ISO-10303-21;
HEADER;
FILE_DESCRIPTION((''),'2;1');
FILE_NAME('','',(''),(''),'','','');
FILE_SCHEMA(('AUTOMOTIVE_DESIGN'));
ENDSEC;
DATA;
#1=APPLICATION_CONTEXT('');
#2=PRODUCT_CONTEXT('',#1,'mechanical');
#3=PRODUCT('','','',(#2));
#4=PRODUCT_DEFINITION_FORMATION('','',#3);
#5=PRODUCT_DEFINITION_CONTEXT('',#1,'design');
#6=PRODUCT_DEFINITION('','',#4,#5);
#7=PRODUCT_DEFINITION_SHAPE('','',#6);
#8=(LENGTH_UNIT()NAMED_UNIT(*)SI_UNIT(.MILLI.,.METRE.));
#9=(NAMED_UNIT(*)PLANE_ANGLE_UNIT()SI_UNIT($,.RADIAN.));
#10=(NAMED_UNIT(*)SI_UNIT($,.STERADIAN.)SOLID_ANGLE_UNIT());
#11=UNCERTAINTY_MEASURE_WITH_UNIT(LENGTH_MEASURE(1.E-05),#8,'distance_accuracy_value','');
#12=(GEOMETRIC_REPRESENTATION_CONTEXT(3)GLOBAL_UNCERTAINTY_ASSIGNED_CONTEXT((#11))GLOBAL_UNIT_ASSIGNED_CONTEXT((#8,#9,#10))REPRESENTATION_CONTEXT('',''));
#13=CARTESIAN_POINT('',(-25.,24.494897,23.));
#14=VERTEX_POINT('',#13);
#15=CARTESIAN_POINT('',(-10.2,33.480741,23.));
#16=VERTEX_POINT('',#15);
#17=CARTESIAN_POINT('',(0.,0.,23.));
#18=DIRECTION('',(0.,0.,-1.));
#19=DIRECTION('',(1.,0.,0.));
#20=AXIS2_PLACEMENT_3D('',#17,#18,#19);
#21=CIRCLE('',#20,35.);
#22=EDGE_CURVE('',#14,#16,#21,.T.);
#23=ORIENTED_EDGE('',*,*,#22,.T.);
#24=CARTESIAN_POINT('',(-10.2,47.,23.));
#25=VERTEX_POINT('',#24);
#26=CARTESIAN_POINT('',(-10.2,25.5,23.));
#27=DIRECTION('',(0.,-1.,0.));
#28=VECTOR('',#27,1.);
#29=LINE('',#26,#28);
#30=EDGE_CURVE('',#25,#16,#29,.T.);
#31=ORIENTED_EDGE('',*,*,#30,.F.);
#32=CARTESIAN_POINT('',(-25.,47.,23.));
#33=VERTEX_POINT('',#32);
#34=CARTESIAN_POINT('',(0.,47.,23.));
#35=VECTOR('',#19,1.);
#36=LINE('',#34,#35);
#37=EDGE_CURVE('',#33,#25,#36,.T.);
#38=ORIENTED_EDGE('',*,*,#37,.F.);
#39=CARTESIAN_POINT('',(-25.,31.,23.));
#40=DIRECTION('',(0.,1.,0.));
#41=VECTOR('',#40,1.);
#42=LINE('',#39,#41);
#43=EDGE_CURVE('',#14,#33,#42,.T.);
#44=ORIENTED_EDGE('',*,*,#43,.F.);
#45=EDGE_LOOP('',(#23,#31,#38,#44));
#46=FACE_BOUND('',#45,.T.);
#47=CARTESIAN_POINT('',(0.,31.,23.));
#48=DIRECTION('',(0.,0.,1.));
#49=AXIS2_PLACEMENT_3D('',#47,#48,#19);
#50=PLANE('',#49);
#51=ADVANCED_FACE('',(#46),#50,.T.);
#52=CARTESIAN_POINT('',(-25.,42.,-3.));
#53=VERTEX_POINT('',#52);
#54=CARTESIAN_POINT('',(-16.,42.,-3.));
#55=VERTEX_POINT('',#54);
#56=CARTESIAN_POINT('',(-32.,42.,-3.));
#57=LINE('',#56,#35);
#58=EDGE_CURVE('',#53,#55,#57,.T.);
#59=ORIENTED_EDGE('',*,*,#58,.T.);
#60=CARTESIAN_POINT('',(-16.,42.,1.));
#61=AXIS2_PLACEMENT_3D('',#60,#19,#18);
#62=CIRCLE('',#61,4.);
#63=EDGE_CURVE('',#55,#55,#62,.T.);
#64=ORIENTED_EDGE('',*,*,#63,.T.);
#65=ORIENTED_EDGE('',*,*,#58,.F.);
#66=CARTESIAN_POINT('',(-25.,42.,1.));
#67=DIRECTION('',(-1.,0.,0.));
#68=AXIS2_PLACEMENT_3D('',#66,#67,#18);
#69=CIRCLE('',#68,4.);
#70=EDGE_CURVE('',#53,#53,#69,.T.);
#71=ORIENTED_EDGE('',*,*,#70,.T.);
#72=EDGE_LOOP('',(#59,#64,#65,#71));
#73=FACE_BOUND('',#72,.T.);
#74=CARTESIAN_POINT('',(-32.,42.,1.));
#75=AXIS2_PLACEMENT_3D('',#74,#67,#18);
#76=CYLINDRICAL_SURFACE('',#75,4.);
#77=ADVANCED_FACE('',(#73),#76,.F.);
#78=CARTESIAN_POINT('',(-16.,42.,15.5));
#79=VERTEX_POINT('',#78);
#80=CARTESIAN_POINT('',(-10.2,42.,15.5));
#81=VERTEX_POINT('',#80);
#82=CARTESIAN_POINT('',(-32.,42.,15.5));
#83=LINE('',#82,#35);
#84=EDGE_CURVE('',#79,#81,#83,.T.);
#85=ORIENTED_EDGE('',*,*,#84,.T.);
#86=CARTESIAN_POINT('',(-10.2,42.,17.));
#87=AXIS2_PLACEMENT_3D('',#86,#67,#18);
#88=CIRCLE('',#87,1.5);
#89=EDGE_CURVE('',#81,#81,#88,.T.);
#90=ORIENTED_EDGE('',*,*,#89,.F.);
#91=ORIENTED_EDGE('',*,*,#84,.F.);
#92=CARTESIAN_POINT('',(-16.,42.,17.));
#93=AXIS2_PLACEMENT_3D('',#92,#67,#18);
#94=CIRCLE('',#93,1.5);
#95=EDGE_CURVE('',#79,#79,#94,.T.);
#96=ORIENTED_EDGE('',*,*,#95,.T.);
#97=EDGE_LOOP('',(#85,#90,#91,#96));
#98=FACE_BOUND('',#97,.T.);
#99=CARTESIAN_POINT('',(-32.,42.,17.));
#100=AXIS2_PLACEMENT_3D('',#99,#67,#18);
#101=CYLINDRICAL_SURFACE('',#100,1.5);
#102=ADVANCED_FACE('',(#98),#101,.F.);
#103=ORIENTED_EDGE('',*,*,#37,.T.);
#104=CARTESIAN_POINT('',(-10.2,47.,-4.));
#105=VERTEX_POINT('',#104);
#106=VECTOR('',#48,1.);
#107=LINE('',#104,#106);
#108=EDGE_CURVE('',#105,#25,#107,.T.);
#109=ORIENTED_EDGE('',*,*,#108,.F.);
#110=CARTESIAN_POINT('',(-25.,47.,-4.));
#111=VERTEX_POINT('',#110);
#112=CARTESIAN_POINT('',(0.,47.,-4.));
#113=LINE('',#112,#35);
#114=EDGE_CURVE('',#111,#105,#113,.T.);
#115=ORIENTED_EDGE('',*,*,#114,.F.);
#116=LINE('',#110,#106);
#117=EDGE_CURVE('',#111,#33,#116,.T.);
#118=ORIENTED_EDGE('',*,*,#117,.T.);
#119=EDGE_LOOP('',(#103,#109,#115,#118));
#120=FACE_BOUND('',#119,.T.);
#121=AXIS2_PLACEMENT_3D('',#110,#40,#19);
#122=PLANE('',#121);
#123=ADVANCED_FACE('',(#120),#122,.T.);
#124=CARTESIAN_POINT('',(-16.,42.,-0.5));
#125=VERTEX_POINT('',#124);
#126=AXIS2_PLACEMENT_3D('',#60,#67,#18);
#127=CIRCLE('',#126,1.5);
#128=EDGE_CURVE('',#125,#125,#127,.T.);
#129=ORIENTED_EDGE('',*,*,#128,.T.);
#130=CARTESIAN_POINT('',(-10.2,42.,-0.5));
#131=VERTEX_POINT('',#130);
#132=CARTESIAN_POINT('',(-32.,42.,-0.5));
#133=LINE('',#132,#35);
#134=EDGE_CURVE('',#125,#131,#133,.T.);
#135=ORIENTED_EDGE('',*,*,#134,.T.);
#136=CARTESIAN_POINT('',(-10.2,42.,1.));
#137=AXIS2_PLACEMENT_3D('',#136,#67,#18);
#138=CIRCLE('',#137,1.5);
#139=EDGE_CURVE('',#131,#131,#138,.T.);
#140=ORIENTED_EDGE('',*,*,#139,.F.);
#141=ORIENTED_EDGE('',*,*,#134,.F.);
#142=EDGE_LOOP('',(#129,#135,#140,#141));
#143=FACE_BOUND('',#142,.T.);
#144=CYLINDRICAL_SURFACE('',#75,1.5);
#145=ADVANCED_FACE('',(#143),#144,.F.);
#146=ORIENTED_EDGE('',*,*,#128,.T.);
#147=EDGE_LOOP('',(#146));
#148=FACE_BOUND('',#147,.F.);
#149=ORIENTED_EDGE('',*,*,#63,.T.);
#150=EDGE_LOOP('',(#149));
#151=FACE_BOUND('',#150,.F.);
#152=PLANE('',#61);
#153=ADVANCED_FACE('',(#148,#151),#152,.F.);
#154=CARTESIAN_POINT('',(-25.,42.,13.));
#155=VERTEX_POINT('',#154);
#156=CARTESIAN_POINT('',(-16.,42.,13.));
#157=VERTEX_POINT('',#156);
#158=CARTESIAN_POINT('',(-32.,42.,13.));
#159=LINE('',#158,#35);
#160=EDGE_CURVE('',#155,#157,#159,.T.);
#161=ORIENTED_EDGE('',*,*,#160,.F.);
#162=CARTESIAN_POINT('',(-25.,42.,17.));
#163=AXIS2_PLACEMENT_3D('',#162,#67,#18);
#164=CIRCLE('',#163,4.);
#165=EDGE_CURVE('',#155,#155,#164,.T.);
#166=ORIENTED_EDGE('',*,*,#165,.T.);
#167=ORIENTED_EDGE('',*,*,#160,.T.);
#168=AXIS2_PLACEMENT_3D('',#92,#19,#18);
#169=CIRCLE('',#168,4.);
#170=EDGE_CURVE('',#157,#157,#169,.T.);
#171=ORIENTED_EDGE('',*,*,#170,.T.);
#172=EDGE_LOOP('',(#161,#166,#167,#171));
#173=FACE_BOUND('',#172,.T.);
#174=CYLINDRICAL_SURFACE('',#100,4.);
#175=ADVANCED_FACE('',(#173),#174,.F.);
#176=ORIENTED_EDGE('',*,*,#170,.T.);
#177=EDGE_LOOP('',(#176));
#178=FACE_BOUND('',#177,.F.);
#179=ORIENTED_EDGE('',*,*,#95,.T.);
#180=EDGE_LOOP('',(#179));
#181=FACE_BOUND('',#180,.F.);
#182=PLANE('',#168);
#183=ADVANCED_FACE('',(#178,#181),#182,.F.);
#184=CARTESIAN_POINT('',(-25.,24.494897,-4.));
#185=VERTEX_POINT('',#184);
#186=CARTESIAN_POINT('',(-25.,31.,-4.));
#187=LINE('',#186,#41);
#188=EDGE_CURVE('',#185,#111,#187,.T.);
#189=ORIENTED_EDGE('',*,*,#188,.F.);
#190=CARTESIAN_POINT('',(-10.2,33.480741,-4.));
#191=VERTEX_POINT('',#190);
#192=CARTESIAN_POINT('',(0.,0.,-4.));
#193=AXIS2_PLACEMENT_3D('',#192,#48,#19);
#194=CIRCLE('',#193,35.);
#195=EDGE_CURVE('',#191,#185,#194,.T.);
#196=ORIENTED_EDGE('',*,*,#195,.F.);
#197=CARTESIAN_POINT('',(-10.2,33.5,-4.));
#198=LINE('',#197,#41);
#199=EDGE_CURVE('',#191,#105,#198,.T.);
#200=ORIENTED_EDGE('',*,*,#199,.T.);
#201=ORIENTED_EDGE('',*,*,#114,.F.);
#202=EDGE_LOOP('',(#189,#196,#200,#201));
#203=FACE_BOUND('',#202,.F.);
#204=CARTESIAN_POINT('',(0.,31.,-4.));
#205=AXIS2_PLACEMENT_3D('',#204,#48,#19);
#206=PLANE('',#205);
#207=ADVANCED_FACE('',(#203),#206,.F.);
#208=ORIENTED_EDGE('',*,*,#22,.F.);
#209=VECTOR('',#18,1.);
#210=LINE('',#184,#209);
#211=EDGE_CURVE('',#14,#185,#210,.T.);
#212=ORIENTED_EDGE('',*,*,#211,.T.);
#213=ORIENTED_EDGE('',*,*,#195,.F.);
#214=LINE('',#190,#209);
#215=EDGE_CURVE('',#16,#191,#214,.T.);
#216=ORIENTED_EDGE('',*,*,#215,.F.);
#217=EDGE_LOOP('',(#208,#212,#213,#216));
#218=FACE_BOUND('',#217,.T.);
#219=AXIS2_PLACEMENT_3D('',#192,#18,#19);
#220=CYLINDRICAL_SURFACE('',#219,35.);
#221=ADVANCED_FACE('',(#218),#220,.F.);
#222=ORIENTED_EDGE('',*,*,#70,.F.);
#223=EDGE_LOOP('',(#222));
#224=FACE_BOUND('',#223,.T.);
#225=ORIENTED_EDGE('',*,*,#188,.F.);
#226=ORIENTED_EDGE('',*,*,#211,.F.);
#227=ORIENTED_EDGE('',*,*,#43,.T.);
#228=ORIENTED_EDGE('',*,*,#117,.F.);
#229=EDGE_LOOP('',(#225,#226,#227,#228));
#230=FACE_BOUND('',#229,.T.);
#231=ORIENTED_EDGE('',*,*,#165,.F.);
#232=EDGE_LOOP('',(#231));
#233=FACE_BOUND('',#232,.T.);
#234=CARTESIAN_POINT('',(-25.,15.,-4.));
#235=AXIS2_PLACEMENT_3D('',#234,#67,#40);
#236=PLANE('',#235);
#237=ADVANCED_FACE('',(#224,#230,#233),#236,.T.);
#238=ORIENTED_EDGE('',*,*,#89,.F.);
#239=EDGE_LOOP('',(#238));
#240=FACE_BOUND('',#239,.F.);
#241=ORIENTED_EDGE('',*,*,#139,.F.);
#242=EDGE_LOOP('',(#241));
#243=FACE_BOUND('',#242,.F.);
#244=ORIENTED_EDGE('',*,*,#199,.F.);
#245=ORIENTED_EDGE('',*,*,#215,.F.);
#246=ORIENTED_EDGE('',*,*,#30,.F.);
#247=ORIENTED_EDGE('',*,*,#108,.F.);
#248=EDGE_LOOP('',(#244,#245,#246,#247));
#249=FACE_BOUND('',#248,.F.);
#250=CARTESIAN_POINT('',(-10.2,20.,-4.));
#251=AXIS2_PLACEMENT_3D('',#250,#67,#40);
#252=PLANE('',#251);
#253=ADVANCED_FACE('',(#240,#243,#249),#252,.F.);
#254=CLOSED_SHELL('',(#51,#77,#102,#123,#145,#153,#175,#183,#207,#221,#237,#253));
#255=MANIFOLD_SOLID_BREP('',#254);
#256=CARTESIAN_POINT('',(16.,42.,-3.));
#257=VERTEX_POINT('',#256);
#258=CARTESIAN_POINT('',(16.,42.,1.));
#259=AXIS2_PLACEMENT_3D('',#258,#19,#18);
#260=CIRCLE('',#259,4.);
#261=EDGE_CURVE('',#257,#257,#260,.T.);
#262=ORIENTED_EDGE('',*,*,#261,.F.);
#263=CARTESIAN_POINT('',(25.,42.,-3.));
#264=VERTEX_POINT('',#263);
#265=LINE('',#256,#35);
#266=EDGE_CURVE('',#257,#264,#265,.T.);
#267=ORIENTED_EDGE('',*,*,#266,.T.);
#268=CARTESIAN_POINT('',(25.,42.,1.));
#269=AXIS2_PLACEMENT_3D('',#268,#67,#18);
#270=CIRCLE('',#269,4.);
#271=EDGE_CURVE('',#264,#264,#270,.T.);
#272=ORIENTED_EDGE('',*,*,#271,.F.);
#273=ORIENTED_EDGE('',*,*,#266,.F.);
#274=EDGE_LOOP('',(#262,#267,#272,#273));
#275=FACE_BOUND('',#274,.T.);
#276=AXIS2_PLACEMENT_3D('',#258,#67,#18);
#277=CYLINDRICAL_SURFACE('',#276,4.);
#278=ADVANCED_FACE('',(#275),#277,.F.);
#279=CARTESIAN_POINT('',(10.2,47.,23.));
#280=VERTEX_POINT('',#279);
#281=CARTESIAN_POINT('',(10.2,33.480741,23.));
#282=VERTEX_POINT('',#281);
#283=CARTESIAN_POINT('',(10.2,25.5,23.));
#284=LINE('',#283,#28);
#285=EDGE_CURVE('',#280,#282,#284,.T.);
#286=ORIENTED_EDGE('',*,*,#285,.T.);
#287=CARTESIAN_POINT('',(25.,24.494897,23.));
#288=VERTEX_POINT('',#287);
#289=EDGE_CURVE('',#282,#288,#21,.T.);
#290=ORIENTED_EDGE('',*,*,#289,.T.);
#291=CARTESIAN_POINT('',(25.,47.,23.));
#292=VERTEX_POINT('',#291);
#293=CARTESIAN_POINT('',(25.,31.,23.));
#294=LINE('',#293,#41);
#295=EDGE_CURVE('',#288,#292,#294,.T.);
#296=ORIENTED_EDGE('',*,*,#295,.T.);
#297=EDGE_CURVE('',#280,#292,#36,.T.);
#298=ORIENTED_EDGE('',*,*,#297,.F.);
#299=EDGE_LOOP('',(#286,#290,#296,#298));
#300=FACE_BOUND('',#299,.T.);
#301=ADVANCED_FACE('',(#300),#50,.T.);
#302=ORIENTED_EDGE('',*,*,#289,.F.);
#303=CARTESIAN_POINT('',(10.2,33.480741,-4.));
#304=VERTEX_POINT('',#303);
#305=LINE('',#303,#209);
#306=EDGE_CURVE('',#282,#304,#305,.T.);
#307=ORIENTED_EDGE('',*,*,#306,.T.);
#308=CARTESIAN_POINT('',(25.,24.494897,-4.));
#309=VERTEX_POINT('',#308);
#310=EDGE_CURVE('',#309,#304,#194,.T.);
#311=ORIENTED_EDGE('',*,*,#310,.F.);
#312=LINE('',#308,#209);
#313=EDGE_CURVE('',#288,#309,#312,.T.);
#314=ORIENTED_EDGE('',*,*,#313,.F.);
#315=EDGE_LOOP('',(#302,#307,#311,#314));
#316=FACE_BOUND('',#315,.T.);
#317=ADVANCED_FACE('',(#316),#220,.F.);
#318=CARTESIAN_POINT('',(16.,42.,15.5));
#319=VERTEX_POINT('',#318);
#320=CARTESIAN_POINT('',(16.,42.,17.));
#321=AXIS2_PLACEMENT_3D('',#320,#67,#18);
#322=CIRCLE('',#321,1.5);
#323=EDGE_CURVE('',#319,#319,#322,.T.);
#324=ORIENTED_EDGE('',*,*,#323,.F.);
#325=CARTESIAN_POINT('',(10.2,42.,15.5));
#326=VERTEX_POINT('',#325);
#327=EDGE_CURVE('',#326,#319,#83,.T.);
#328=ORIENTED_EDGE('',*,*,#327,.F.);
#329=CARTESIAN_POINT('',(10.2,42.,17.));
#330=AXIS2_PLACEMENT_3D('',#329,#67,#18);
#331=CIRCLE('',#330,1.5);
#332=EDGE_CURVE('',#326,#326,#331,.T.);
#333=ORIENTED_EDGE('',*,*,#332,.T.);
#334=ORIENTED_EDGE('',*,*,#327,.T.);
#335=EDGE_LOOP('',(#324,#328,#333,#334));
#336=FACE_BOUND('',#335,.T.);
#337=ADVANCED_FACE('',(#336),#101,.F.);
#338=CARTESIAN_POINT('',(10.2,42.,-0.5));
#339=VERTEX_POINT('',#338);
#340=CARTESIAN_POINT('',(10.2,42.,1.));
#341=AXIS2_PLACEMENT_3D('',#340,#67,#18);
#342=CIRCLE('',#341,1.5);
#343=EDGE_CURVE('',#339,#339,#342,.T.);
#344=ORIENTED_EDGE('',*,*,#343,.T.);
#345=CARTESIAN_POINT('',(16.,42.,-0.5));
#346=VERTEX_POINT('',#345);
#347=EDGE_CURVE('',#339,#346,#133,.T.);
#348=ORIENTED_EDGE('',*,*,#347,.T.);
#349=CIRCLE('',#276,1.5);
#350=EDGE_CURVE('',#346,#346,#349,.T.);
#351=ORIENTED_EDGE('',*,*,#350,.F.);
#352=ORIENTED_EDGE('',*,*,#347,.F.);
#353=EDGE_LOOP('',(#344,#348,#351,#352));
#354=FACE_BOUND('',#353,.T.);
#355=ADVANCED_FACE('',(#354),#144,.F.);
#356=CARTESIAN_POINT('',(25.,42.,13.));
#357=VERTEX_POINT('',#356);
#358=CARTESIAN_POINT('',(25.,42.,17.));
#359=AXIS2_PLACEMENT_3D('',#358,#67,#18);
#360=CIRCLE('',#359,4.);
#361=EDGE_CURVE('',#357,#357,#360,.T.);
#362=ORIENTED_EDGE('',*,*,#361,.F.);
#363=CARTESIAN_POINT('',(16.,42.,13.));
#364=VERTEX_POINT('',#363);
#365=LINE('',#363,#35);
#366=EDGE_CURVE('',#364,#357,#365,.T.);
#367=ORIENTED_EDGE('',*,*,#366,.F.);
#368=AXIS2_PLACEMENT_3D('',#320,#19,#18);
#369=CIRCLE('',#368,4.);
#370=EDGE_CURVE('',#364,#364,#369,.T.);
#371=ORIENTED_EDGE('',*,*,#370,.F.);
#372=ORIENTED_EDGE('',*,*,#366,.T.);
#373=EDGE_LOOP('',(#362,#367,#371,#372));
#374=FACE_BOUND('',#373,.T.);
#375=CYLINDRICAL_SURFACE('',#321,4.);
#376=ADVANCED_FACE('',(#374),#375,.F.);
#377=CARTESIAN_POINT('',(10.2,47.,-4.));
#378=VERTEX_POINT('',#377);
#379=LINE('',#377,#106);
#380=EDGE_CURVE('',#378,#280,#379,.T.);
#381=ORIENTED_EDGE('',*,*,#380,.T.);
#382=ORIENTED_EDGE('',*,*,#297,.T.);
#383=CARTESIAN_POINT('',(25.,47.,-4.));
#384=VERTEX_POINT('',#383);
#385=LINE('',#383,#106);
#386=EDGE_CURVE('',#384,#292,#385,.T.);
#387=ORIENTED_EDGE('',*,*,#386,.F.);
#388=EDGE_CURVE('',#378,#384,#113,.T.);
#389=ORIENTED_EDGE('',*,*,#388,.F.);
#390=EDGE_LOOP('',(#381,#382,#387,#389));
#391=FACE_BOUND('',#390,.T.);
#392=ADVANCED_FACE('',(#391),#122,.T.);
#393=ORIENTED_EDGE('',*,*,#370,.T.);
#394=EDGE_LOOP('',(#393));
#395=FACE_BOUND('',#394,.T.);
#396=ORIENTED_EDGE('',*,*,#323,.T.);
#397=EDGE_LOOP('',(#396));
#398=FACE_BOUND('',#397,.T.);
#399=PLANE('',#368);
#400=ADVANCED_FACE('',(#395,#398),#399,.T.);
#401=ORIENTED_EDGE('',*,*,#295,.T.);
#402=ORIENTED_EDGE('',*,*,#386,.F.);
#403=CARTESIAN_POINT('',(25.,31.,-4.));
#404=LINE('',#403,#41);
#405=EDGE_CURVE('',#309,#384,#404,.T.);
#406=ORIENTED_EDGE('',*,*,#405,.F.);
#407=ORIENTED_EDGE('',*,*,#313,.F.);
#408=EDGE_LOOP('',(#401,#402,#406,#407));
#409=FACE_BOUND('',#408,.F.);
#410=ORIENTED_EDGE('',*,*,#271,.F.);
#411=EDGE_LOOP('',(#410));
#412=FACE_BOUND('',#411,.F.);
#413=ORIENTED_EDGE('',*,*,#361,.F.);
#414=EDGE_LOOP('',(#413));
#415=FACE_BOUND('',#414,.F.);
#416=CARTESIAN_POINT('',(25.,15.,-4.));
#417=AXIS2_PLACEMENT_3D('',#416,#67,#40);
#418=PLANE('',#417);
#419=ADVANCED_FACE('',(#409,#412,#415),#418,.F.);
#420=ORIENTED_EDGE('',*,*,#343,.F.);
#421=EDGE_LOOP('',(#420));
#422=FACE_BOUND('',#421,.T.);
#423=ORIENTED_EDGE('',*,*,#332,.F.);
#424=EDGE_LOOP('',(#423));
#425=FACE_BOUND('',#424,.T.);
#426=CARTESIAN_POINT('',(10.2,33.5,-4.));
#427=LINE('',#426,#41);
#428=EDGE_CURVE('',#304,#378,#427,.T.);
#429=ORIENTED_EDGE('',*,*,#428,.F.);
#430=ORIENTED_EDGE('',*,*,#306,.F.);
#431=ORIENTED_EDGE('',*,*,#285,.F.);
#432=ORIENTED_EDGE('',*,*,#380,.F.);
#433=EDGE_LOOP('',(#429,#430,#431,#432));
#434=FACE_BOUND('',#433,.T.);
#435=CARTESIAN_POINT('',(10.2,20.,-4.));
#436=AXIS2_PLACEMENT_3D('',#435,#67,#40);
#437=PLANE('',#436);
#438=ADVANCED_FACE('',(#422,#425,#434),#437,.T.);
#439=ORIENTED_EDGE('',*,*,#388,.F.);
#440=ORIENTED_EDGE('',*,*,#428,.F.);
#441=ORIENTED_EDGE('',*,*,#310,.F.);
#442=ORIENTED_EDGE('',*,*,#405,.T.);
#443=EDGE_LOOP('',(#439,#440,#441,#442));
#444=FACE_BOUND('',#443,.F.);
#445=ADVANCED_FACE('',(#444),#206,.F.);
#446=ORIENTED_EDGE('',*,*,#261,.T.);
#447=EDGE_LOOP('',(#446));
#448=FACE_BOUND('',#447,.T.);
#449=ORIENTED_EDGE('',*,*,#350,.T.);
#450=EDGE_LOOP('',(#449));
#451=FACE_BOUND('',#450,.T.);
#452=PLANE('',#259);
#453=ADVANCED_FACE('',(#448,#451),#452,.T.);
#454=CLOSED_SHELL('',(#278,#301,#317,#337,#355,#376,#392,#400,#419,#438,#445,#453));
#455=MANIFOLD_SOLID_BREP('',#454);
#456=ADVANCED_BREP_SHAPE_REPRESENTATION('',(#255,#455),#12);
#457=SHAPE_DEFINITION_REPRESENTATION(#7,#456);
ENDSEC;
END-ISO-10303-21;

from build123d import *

# Parameters (mm, degrees)
CYLINDER1796_R     = 1.5
CYLINDER1796_DEPTH = 64
CYLINDER1795_R     = 1.5
CYLINDER1795_DEPTH = 64
CYLINDER1800_R     = 4
CYLINDER1800_DEPTH = 16
CYLINDER1799_R     = 4
CYLINDER1799_DEPTH = 16
CYLINDER1798_R     = 4
CYLINDER1798_DEPTH = 16
CYLINDER1797_R     = 4
CYLINDER1797_DEPTH = 16
CYLINDER1793_R     = 35
CYLINDER1793_DEPTH = 32
BOX712_W           = 20.4
BOX712_H           = 27
BOX712_DEPTH       = 28
BOX711_W           = 50
BOX711_H           = 32
BOX711_DEPTH       = 27


with BuildPart() as v_lec1796:
    # Cylinder1796 → Cylinder1796 (new body)
    with BuildSketch(Plane(origin=(-32, 42, 17), x_dir=(0, 0, -1), z_dir=(1, 0, 0))):
        Circle(CYLINDER1796_R)
    extrude(amount=CYLINDER1796_DEPTH)


with BuildPart() as compound891:
    # Cylinder1795 → Cylinder1795 (new body)
    with BuildSketch(Plane(origin=(-32, 42, 1), x_dir=(0, 0, -1), z_dir=(1, 0, 0))):
        Circle(CYLINDER1795_R)
    extrude(amount=CYLINDER1795_DEPTH)

    # Compound891: union Válec1796
    add(v_lec1796.part)


with BuildPart() as v_lec1800:
    # Cylinder1800 → Cylinder1800 (new body)
    with BuildSketch(Plane(origin=(16, 42, 17), x_dir=(0, 0, -1), z_dir=(1, 0, 0))):
        Circle(CYLINDER1800_R)
    extrude(amount=CYLINDER1800_DEPTH)


with BuildPart() as v_lec1799:
    # Cylinder1799 → Cylinder1799 (new body)
    with BuildSketch(Plane(origin=(16, 42, 1), x_dir=(0, 0, -1), z_dir=(1, 0, 0))):
        Circle(CYLINDER1799_R)
    extrude(amount=CYLINDER1799_DEPTH)


with BuildPart() as v_lec1798:
    # Cylinder1798 → Cylinder1798 (new body)
    with BuildSketch(Plane(origin=(-32, 42, 17), x_dir=(0, 0, -1), z_dir=(1, 0, 0))):
        Circle(CYLINDER1798_R)
    extrude(amount=CYLINDER1798_DEPTH)


with BuildPart() as compound892:
    # Cylinder1797 → Cylinder1797 (new body)
    with BuildSketch(Plane(origin=(-32, 42, 1), x_dir=(0, 0, -1), z_dir=(1, 0, 0))):
        Circle(CYLINDER1797_R)
    extrude(amount=CYLINDER1797_DEPTH)

    # Compound892: union Válec1800, Válec1799, Válec1798
    add(v_lec1800.part)
    add(v_lec1799.part)
    add(v_lec1798.part)


with BuildPart() as v_lec1793:
    # Cylinder1793 → Cylinder1793 (new body)
    with BuildSketch(Plane.XY.offset(-3)):
        Circle(CYLINDER1793_R)
    extrude(amount=CYLINDER1793_DEPTH)


with BuildPart() as krychle712:
    # Box712 → Box712 (new body)
    with BuildSketch(Plane(origin=(-10.2, 20, -3), x_dir=(1, 0, 0), z_dir=(0, 0, 1))):
        with Locations((10.2, 13.5)):
            Rectangle(BOX712_W, BOX712_H)
    extrude(amount=BOX712_DEPTH)


with BuildPart() as cut529:
    # Box711 → Box711 (new body)
    with BuildSketch(Plane(origin=(-25, 15, -3), x_dir=(1, 0, 0), z_dir=(0, 0, 1))):
        with Locations((25, 16)):
            Rectangle(BOX711_W, BOX711_H)
    extrude(amount=BOX711_DEPTH)

    # Cut524: cut Krychle712
    add(krychle712.part, mode=Mode.SUBTRACT)

    # Cut527: cut Válec1793
    add(v_lec1793.part, mode=Mode.SUBTRACT)


with BuildPart() as cut529_1:
    # Cut527 placement: moved
    add(cut529.part.moved(Location((0, 0, -1))))

    # Cut528: cut Compound892
    add(compound892.part, mode=Mode.SUBTRACT)

    # Cut529: cut Compound891
    add(compound891.part, mode=Mode.SUBTRACT)


solid = cut529_1.part
